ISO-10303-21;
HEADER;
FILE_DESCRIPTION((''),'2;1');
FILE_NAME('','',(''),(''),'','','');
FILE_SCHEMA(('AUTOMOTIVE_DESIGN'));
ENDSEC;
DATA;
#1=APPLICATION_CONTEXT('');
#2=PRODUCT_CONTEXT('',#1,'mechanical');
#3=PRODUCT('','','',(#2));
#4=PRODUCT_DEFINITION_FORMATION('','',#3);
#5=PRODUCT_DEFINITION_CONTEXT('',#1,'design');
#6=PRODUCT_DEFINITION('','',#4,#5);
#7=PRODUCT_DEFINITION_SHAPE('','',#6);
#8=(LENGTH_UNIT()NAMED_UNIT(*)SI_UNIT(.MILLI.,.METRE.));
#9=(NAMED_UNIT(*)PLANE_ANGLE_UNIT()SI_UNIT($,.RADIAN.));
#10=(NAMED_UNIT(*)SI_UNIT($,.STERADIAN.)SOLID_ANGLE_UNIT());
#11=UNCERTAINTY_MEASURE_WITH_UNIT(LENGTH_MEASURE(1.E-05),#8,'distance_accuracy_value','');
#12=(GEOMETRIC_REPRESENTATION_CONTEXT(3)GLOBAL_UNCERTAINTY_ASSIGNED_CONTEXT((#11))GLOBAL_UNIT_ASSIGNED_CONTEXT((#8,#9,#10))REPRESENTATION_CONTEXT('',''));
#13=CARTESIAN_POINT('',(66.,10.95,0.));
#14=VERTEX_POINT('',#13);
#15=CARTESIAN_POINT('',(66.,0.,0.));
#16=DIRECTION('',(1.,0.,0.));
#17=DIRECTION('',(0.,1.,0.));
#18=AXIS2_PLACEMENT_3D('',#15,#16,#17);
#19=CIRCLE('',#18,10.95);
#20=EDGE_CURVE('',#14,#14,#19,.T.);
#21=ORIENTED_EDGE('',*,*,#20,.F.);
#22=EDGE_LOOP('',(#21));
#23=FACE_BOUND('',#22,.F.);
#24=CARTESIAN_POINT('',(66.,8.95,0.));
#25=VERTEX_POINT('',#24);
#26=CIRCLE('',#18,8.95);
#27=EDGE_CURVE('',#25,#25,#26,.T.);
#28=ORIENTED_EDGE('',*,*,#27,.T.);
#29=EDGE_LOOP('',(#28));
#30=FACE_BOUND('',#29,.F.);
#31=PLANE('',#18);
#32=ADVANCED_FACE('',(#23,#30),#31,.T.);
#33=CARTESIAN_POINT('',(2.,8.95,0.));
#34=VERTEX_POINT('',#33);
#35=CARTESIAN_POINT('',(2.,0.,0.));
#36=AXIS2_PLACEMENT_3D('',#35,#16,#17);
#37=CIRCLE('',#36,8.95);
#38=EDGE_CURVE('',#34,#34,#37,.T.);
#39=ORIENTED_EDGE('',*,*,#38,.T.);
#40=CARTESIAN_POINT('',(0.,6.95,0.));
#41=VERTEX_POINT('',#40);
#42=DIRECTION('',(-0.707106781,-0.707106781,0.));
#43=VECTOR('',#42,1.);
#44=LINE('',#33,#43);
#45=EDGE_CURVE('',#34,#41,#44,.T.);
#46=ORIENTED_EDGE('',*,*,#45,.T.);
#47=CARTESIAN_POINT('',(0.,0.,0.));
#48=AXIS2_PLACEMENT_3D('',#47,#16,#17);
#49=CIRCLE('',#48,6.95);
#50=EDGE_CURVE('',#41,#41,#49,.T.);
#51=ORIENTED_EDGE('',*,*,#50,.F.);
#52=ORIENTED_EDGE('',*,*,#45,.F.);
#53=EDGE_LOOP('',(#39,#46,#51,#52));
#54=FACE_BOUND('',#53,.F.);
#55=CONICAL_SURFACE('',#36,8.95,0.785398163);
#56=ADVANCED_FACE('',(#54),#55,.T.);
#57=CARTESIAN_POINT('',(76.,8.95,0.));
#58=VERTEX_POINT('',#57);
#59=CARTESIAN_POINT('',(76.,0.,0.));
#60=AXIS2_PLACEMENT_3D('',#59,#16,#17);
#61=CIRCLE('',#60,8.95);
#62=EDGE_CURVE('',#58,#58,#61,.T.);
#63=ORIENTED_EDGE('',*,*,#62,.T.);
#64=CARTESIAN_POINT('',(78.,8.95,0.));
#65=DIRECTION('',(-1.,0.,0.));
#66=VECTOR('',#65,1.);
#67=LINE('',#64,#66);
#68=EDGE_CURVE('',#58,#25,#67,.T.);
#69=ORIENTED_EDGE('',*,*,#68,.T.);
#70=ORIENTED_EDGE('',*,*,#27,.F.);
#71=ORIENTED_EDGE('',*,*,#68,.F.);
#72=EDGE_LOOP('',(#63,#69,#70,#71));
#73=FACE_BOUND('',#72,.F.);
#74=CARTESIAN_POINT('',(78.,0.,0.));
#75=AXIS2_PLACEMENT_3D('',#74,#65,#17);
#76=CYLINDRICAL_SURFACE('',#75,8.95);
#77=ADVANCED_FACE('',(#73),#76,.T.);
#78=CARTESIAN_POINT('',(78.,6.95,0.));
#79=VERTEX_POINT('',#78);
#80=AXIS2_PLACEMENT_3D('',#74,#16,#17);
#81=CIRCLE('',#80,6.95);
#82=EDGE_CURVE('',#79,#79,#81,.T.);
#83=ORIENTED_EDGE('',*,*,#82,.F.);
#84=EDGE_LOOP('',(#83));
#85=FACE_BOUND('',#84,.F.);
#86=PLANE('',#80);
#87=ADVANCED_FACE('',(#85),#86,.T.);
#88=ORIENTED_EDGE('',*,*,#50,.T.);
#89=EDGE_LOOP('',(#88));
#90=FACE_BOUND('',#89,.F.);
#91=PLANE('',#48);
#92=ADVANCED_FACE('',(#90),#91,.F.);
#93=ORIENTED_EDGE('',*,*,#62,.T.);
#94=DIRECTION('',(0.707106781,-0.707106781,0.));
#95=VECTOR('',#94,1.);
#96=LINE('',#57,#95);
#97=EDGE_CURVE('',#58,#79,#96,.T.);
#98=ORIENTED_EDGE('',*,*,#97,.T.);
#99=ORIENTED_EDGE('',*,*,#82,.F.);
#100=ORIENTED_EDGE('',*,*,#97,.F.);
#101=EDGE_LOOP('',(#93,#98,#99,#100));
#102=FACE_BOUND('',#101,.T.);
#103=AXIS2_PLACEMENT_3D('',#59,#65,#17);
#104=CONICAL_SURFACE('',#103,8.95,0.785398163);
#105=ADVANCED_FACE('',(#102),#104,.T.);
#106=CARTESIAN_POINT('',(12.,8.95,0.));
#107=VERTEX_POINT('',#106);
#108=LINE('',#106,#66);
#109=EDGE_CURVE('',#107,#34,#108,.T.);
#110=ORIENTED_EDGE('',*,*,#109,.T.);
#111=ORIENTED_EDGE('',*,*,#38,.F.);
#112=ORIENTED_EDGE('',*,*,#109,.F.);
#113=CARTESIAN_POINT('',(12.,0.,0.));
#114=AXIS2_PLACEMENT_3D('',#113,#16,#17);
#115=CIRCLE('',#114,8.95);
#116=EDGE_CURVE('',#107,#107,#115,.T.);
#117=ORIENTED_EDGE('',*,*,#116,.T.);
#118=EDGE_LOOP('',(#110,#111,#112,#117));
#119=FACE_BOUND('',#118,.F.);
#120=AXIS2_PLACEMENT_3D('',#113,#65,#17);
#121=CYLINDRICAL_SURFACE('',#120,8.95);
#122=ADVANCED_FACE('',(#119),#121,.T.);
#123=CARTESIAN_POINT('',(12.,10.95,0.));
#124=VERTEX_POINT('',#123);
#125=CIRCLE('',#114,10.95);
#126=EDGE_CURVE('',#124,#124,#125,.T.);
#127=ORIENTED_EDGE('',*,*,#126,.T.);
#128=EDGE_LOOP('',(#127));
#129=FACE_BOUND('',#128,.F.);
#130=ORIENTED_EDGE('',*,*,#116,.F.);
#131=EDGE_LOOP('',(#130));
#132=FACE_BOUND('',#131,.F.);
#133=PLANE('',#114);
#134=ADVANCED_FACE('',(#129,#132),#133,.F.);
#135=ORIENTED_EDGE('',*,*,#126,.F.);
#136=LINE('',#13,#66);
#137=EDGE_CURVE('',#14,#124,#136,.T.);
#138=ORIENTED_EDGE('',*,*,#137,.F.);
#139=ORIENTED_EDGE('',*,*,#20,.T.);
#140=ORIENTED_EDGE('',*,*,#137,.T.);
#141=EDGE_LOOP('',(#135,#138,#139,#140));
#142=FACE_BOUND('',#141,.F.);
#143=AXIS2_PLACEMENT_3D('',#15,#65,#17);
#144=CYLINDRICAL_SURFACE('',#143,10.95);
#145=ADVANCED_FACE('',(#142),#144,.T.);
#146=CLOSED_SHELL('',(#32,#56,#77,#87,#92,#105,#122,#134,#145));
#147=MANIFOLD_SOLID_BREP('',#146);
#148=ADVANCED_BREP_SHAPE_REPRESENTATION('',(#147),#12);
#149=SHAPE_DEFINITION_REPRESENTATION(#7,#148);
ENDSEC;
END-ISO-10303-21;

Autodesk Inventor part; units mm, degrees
ref_plane "YZ Plane" through (0, 0, 0) normal (1, 0, 0) x (0, 1, 0)
ref_plane "XZ Plane" through (0, 0, 0) normal (0, 1, 0) x (-1, 0, 0)
ref_plane "XY Plane" through (0, 0, 0) normal (0, 0, 1) x (1, 0, 0)
sketch "Sketch1" plane through (0, 0, 0) normal (0, 0, 1) x (1, 0, 0)
  line L0 (0, 0) -> (78, 0)
  line L1 (78, 0) -> (78, 8.95)
  line L2 (78, 8.95) -> (66, 8.95)
  line L3 (66, 8.95) -> (66, 10.95)
  line L4 (66, 10.95) -> (12, 10.95)
  line L5 (12, 10.95) -> (12, 8.95)
  line L6 (12, 8.95) -> (0, 8.95)
  line L7 (0, 8.95) -> (0, 0)
  dimension "d0" = 78
  dimension "d1" = 8.95
  dimension "d2" = 12
  dimension "d3" = 2
  dimension "d4" = 54
  dimension "d5" = 2
revolve "Revolution1" add sketch "Sketch1" angle 360 about axis through (0, 0, 0) along (1, 0, 0)
chamfer "Chamfer1" distance 2 angle 45 1 edges at (78, -8.95, 0) measured on face at (78, 1.5348, -1.8062)
chamfer "Chamfer2" distance 2 angle 45 1 edges at (0, -8.95, 0) measured on face at (0, -2.9314, 2.1504)
properties part number "axle" material "Steel, Carbon"
